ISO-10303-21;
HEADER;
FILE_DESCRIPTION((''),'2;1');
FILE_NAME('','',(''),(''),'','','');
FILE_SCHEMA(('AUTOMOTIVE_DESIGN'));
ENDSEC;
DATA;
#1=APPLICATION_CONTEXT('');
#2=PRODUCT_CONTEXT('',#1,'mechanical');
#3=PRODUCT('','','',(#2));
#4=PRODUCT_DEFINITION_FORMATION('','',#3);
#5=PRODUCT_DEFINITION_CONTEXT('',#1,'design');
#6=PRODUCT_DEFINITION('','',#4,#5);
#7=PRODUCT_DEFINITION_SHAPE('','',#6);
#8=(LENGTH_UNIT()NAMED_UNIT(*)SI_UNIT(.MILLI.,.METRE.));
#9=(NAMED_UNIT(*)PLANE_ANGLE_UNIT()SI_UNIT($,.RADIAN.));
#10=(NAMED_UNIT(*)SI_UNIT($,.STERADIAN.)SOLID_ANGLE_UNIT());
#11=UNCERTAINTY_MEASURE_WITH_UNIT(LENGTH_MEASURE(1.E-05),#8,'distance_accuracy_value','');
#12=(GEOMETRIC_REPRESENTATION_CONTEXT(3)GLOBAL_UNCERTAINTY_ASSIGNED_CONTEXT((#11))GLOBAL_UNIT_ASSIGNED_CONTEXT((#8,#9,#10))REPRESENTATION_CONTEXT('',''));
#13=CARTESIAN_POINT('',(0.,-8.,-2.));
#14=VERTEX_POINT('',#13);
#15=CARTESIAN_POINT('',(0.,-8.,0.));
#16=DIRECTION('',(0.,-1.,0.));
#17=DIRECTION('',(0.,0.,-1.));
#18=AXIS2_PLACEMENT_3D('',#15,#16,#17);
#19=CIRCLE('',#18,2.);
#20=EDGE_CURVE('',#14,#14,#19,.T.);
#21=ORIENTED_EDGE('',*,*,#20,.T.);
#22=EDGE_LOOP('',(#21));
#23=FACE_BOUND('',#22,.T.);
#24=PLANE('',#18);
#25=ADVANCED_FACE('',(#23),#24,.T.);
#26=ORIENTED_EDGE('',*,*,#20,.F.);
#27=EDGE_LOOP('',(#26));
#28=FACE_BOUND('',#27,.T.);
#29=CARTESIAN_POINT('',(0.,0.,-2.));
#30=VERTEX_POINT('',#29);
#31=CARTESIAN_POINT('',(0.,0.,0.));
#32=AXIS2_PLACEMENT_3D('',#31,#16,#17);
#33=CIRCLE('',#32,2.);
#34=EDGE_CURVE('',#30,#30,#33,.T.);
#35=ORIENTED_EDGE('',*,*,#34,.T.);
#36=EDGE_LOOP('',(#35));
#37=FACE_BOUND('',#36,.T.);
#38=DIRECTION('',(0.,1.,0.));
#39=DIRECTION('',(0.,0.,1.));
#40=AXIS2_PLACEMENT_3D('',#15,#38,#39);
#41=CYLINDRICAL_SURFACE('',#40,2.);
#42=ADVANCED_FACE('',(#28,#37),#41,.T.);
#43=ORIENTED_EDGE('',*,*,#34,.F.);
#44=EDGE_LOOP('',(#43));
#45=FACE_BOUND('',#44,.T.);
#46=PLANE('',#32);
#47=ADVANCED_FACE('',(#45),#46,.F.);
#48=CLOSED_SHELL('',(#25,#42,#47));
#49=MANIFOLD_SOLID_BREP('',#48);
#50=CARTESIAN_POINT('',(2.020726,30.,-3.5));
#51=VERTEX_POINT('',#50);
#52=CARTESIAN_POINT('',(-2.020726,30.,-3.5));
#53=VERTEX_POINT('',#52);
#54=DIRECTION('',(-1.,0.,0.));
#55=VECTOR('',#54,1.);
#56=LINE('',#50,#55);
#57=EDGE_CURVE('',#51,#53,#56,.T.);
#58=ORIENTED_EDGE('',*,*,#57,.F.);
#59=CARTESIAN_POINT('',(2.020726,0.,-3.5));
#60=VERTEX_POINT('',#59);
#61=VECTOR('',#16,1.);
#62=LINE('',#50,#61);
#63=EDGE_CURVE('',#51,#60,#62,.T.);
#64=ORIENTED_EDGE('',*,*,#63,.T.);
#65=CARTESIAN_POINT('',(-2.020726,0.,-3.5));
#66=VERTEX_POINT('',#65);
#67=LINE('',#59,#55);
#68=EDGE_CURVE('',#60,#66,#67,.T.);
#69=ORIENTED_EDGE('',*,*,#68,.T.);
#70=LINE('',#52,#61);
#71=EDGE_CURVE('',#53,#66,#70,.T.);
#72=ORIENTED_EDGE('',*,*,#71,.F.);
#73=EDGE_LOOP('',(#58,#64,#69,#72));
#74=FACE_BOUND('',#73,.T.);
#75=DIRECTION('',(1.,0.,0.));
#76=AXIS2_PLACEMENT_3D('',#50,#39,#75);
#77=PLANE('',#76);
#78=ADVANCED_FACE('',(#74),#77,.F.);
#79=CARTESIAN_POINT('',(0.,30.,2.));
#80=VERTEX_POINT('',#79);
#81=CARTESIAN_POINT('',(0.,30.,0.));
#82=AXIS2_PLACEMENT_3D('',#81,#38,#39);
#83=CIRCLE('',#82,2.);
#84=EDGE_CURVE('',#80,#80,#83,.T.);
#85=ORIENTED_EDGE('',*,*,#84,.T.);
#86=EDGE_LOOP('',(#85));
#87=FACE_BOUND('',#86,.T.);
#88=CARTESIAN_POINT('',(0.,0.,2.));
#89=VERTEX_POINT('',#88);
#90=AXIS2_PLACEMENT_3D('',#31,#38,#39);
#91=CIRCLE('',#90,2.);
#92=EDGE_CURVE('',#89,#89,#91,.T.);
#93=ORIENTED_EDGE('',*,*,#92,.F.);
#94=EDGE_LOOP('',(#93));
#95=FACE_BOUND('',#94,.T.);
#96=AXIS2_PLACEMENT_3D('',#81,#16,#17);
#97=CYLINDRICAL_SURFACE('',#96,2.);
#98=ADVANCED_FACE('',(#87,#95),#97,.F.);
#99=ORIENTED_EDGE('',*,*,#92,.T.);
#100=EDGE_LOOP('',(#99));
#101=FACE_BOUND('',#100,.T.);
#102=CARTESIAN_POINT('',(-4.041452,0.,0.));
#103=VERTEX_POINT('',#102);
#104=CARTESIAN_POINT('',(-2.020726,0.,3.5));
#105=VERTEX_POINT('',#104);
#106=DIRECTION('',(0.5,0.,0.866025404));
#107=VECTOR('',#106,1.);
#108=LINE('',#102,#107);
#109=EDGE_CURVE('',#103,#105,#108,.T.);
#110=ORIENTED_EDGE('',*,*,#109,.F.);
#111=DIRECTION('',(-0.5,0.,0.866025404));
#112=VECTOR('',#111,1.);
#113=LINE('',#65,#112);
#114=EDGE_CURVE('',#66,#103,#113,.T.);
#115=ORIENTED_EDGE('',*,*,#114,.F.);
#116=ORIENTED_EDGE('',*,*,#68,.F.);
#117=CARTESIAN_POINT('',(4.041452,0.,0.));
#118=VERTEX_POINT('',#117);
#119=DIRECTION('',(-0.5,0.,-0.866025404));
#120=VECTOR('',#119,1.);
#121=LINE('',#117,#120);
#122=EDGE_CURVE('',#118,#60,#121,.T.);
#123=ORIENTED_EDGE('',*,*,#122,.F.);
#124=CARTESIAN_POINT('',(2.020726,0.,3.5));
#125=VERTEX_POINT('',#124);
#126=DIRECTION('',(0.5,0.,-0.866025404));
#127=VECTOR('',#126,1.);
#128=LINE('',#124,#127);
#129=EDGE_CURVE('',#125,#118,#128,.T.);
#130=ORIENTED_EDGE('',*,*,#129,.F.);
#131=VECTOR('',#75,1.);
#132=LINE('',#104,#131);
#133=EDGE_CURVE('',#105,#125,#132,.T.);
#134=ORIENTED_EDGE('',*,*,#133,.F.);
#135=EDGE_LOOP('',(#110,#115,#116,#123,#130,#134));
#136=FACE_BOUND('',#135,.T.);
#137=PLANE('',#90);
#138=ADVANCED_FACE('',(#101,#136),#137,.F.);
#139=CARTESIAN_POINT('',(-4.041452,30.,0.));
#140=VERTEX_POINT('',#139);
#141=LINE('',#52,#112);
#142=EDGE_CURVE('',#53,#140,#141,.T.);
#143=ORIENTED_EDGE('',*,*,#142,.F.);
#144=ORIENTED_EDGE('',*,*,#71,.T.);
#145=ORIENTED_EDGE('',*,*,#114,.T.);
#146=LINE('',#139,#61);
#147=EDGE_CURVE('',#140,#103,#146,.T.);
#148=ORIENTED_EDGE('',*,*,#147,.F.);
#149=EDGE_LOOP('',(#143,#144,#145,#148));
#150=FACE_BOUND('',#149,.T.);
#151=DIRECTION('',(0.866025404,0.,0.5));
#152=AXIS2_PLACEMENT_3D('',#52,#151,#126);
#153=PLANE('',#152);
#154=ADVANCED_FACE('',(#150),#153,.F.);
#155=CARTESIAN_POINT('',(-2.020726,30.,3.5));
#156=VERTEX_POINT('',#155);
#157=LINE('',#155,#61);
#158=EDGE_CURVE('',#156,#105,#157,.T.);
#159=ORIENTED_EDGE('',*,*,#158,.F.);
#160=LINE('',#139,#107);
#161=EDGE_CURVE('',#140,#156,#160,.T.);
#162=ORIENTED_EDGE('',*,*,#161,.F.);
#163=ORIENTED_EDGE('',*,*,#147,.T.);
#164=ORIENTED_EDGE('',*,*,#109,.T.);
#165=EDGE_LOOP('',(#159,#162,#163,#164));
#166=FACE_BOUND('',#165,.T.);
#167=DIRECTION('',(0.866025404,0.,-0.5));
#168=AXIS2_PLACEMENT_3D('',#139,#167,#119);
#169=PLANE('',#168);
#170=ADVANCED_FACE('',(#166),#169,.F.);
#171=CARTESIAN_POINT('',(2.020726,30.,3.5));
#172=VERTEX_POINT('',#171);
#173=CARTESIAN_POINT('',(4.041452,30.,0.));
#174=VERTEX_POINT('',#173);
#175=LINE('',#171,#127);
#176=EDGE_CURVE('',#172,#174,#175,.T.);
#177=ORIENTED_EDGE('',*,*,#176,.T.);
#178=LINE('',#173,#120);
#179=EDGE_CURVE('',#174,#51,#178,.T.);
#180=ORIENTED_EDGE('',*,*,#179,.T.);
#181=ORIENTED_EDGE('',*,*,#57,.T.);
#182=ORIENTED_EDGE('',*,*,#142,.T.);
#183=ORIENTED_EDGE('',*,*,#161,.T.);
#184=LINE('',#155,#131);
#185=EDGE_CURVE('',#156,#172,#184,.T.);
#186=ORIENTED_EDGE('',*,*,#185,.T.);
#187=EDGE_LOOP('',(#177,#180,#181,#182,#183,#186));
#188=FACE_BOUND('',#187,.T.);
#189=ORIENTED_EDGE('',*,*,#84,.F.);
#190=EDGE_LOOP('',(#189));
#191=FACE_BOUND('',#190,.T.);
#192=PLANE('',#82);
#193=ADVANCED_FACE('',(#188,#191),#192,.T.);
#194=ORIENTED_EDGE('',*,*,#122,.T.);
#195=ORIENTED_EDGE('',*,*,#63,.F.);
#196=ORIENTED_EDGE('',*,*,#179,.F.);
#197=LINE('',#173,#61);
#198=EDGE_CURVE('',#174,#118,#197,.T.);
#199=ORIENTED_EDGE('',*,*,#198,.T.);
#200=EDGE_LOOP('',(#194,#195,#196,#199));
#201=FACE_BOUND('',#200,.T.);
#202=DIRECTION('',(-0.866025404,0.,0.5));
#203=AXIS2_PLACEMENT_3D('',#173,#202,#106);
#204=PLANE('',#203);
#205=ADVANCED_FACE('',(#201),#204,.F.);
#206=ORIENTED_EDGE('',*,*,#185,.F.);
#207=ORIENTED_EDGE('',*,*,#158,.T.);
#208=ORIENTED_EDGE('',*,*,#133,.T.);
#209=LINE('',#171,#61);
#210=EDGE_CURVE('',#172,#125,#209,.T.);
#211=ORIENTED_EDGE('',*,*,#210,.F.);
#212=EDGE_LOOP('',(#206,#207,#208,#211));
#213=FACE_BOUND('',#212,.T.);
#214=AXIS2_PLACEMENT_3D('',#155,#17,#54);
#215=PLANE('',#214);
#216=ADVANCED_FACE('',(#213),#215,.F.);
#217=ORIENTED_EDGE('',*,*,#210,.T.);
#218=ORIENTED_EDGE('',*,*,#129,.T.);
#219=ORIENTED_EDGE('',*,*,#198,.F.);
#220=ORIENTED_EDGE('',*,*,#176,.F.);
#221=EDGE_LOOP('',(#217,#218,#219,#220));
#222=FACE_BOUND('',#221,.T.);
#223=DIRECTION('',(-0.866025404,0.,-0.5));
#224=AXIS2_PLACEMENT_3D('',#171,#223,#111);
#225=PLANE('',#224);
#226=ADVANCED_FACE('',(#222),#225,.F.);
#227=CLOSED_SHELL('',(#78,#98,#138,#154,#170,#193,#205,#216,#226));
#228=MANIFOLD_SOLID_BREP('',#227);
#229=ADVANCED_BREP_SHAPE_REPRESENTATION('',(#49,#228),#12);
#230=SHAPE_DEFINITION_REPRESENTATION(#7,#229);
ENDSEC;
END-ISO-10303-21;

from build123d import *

# Parameters (mm, degrees)
SKETCH_1_R      = 2
EXTRUDE_1_DEPTH = 30
SKETCH_2_R      = 2
EXTRUDE_2_DEPTH = 8


with BuildPart() as part:
    # 草图1 → 凸台-拉伸1 (new body)
    with BuildSketch(Plane(origin=(0, 0, 0), x_dir=(1, 0, 0), z_dir=(0, 1, 0))):
        Polygon((4.041451884, 0), (2.020725942, 3.5), (-2.020725942, 3.5), (-4.041451884, 0), (-2.020725942, -3.5), (2.020725942, -3.5), align=None)
        with Locations(Location((0, 0, 0), (0, 0, 270))):
            Circle(SKETCH_1_R, mode=Mode.SUBTRACT)
    extrude(amount=EXTRUDE_1_DEPTH)


with BuildPart() as body_2:
    # 草图2 → 凸台-拉伸2 (new body)
    with BuildSketch(Plane.XZ):
        with Locations(Location((0, 0, 0), (0, 0, 270))):
            Circle(SKETCH_2_R)
    extrude(amount=EXTRUDE_2_DEPTH)


solid = Compound([part.part, body_2.part])
